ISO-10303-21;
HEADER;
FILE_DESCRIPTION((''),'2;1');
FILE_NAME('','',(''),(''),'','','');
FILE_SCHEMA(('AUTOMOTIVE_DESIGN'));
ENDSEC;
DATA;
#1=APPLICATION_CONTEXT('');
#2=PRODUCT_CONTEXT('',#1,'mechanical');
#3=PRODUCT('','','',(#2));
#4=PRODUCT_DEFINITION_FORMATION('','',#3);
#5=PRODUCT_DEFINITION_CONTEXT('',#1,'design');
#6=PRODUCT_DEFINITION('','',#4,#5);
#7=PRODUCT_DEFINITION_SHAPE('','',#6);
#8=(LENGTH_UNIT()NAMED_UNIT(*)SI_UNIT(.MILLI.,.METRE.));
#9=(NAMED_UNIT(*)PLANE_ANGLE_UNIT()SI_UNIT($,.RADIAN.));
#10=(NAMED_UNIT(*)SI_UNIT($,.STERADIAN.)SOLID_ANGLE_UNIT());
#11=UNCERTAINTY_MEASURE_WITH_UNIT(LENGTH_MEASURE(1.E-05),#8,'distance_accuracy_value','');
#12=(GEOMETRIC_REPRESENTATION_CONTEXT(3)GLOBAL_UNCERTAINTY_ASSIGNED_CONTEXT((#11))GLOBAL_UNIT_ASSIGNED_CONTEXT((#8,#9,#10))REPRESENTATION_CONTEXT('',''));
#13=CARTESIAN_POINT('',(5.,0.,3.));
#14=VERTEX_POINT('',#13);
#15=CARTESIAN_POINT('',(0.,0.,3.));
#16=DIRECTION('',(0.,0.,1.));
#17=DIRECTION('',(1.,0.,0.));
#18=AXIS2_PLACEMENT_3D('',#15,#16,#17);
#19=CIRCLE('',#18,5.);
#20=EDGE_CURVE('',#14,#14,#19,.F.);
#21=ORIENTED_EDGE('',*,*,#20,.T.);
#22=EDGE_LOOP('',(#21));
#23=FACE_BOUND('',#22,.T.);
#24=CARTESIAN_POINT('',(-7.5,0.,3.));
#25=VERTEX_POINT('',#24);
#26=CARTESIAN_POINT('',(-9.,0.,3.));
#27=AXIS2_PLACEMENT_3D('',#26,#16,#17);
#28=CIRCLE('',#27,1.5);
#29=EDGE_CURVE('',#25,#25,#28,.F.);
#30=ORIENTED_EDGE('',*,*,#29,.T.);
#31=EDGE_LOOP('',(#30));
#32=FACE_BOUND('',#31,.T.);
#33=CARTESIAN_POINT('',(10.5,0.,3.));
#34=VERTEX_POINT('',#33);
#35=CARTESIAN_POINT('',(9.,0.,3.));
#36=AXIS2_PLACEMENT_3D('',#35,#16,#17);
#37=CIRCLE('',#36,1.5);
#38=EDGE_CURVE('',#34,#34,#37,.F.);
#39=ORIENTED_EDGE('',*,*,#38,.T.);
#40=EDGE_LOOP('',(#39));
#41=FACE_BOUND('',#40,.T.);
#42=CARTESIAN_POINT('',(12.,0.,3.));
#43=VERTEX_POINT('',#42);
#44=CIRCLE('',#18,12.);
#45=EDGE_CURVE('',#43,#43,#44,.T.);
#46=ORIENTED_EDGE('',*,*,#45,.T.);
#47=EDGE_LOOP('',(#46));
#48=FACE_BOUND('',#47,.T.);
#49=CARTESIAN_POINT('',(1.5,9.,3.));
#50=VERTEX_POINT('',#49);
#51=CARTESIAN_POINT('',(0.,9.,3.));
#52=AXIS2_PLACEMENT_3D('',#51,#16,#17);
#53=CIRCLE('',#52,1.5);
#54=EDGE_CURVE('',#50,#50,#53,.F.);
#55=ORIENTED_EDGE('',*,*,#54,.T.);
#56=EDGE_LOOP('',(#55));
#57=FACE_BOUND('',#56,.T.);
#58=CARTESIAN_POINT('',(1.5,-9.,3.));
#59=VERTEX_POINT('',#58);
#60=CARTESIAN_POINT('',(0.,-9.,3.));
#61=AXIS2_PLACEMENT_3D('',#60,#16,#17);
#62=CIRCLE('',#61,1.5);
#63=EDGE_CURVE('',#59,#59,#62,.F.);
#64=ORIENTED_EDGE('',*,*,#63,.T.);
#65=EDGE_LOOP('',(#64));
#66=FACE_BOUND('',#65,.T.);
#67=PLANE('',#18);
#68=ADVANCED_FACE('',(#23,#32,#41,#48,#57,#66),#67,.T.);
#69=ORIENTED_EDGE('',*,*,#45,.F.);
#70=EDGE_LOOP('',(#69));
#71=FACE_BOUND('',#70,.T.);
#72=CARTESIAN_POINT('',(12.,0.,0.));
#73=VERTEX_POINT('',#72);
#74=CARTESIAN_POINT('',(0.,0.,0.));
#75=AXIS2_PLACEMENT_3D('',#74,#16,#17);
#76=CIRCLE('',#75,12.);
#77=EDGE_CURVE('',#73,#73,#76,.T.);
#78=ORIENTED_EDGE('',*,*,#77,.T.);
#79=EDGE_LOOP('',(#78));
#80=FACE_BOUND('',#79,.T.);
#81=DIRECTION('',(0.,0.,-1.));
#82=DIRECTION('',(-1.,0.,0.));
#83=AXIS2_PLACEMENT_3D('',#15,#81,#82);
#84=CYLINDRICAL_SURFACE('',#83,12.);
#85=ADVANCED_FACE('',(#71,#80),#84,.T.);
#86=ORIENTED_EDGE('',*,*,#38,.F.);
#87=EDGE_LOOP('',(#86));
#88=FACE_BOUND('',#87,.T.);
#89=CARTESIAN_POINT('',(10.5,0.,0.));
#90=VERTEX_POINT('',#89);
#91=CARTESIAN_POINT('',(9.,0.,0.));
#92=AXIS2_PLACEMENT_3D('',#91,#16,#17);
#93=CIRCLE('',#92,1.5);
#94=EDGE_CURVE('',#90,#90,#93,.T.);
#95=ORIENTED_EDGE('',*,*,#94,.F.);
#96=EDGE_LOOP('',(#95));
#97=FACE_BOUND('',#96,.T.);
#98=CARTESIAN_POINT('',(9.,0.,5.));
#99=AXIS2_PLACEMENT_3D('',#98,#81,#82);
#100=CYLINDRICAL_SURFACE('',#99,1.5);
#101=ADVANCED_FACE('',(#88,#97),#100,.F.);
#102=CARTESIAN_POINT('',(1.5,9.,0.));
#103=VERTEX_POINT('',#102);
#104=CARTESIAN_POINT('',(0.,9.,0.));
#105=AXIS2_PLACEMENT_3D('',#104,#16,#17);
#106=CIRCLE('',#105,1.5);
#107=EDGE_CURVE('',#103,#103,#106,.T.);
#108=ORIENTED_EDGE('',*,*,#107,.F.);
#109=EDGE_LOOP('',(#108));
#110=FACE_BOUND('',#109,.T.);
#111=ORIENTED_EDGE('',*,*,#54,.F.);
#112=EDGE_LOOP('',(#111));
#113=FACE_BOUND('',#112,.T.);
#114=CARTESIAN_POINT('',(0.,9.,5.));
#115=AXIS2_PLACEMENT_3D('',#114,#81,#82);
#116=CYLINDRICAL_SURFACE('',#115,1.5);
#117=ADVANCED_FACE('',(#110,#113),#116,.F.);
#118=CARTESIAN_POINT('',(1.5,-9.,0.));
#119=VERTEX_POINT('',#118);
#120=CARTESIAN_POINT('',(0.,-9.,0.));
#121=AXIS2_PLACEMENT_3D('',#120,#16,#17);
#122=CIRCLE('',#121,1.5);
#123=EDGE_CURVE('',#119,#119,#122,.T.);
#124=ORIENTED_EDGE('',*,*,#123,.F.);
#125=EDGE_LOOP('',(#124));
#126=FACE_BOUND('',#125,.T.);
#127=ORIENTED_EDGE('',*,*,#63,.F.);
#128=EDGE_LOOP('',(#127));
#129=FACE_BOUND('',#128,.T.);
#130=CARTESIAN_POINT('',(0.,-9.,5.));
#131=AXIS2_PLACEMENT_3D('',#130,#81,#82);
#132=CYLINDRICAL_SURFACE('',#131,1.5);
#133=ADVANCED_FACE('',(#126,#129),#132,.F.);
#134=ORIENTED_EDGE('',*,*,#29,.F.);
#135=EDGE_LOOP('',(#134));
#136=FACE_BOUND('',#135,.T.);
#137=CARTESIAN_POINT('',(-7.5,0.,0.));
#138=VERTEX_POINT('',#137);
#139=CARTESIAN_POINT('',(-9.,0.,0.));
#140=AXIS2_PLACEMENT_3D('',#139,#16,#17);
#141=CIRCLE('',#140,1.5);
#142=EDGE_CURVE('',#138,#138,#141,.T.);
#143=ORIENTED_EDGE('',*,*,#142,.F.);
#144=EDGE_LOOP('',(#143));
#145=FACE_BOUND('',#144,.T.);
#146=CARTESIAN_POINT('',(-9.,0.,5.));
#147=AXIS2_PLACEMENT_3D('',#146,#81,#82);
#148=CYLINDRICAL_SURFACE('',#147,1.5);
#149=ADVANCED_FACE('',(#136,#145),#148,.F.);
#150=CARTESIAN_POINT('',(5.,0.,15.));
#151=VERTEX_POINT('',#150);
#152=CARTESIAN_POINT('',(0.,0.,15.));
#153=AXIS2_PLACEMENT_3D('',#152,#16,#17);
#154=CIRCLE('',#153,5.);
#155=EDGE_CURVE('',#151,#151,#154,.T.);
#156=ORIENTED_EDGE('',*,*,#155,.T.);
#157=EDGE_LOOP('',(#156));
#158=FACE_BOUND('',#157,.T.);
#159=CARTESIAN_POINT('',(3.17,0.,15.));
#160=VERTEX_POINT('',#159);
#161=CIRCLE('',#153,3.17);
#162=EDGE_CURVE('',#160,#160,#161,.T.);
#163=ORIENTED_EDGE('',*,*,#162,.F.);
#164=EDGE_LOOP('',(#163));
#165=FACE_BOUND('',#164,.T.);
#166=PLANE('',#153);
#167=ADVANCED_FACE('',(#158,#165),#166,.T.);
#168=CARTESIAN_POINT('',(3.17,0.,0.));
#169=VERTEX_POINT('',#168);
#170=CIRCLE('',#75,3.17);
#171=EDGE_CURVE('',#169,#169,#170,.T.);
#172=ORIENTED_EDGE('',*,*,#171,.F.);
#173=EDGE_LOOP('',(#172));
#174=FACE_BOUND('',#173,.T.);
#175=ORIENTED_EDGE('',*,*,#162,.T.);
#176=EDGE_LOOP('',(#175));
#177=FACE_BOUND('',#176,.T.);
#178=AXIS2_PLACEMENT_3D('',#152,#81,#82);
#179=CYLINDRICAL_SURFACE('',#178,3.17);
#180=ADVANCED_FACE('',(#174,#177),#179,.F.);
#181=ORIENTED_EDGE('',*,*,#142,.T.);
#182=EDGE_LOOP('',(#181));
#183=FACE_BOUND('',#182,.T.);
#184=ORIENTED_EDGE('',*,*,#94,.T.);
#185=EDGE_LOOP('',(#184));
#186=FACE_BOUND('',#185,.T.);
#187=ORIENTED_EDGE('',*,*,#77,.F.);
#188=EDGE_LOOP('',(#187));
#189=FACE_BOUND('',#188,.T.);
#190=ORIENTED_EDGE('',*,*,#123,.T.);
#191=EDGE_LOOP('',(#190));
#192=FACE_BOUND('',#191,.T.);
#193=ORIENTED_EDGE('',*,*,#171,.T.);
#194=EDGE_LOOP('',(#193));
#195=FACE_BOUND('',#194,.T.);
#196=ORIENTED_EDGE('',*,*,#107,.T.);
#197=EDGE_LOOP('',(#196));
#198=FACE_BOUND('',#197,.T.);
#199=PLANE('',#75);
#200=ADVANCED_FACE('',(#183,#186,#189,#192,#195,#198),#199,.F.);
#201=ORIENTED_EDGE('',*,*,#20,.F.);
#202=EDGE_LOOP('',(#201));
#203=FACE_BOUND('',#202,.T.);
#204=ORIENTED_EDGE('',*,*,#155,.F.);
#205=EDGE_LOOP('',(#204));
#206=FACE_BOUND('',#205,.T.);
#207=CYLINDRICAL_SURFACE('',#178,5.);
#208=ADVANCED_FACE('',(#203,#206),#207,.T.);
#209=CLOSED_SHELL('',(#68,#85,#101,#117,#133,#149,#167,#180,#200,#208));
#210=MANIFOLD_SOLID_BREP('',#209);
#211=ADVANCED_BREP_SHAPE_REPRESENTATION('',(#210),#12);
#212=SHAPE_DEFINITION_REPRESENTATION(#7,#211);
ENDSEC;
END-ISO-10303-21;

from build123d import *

# Parameters (mm, degrees)
SKETCH1_R           = 12
BOSS_EXTRUDE1_DEPTH = 3
SKETCH2_R           = 5
BOSS_EXTRUDE2_DEPTH = 15
SKETCH3_R           = 3.17
CUT_EXTRUDE1_DEPTH  = 15
SKETCH4_R           = 1.5
CUT_EXTRUDE2_DEPTH  = 5


with BuildPart() as part:
    # Sketch1 → Boss-Extrude1 (new body)
    with BuildSketch(Plane.XY):
        Circle(SKETCH1_R)
    extrude(amount=BOSS_EXTRUDE1_DEPTH)

    # Sketch2 → Boss-Extrude2 (add)
    with BuildSketch(Plane.XY):
        Circle(SKETCH2_R)
    extrude(amount=BOSS_EXTRUDE2_DEPTH)

    # Sketch3 → Cut-Extrude1 (cut)
    with BuildSketch(Plane.XY):
        Circle(SKETCH3_R)
    extrude(amount=CUT_EXTRUDE1_DEPTH, mode=Mode.SUBTRACT)

    # Sketch4 → Cut-Extrude2 (cut)
    with BuildSketch(Plane.XY):
        with Locations((-9, 0)):
            Circle(SKETCH4_R)
        with Locations((0, 9)):
            Circle(SKETCH4_R)
        with Locations((9, 0)):
            Circle(SKETCH4_R)
        with Locations((0, -9)):
            Circle(SKETCH4_R)
    extrude(amount=CUT_EXTRUDE2_DEPTH, mode=Mode.SUBTRACT)


solid = part.part
